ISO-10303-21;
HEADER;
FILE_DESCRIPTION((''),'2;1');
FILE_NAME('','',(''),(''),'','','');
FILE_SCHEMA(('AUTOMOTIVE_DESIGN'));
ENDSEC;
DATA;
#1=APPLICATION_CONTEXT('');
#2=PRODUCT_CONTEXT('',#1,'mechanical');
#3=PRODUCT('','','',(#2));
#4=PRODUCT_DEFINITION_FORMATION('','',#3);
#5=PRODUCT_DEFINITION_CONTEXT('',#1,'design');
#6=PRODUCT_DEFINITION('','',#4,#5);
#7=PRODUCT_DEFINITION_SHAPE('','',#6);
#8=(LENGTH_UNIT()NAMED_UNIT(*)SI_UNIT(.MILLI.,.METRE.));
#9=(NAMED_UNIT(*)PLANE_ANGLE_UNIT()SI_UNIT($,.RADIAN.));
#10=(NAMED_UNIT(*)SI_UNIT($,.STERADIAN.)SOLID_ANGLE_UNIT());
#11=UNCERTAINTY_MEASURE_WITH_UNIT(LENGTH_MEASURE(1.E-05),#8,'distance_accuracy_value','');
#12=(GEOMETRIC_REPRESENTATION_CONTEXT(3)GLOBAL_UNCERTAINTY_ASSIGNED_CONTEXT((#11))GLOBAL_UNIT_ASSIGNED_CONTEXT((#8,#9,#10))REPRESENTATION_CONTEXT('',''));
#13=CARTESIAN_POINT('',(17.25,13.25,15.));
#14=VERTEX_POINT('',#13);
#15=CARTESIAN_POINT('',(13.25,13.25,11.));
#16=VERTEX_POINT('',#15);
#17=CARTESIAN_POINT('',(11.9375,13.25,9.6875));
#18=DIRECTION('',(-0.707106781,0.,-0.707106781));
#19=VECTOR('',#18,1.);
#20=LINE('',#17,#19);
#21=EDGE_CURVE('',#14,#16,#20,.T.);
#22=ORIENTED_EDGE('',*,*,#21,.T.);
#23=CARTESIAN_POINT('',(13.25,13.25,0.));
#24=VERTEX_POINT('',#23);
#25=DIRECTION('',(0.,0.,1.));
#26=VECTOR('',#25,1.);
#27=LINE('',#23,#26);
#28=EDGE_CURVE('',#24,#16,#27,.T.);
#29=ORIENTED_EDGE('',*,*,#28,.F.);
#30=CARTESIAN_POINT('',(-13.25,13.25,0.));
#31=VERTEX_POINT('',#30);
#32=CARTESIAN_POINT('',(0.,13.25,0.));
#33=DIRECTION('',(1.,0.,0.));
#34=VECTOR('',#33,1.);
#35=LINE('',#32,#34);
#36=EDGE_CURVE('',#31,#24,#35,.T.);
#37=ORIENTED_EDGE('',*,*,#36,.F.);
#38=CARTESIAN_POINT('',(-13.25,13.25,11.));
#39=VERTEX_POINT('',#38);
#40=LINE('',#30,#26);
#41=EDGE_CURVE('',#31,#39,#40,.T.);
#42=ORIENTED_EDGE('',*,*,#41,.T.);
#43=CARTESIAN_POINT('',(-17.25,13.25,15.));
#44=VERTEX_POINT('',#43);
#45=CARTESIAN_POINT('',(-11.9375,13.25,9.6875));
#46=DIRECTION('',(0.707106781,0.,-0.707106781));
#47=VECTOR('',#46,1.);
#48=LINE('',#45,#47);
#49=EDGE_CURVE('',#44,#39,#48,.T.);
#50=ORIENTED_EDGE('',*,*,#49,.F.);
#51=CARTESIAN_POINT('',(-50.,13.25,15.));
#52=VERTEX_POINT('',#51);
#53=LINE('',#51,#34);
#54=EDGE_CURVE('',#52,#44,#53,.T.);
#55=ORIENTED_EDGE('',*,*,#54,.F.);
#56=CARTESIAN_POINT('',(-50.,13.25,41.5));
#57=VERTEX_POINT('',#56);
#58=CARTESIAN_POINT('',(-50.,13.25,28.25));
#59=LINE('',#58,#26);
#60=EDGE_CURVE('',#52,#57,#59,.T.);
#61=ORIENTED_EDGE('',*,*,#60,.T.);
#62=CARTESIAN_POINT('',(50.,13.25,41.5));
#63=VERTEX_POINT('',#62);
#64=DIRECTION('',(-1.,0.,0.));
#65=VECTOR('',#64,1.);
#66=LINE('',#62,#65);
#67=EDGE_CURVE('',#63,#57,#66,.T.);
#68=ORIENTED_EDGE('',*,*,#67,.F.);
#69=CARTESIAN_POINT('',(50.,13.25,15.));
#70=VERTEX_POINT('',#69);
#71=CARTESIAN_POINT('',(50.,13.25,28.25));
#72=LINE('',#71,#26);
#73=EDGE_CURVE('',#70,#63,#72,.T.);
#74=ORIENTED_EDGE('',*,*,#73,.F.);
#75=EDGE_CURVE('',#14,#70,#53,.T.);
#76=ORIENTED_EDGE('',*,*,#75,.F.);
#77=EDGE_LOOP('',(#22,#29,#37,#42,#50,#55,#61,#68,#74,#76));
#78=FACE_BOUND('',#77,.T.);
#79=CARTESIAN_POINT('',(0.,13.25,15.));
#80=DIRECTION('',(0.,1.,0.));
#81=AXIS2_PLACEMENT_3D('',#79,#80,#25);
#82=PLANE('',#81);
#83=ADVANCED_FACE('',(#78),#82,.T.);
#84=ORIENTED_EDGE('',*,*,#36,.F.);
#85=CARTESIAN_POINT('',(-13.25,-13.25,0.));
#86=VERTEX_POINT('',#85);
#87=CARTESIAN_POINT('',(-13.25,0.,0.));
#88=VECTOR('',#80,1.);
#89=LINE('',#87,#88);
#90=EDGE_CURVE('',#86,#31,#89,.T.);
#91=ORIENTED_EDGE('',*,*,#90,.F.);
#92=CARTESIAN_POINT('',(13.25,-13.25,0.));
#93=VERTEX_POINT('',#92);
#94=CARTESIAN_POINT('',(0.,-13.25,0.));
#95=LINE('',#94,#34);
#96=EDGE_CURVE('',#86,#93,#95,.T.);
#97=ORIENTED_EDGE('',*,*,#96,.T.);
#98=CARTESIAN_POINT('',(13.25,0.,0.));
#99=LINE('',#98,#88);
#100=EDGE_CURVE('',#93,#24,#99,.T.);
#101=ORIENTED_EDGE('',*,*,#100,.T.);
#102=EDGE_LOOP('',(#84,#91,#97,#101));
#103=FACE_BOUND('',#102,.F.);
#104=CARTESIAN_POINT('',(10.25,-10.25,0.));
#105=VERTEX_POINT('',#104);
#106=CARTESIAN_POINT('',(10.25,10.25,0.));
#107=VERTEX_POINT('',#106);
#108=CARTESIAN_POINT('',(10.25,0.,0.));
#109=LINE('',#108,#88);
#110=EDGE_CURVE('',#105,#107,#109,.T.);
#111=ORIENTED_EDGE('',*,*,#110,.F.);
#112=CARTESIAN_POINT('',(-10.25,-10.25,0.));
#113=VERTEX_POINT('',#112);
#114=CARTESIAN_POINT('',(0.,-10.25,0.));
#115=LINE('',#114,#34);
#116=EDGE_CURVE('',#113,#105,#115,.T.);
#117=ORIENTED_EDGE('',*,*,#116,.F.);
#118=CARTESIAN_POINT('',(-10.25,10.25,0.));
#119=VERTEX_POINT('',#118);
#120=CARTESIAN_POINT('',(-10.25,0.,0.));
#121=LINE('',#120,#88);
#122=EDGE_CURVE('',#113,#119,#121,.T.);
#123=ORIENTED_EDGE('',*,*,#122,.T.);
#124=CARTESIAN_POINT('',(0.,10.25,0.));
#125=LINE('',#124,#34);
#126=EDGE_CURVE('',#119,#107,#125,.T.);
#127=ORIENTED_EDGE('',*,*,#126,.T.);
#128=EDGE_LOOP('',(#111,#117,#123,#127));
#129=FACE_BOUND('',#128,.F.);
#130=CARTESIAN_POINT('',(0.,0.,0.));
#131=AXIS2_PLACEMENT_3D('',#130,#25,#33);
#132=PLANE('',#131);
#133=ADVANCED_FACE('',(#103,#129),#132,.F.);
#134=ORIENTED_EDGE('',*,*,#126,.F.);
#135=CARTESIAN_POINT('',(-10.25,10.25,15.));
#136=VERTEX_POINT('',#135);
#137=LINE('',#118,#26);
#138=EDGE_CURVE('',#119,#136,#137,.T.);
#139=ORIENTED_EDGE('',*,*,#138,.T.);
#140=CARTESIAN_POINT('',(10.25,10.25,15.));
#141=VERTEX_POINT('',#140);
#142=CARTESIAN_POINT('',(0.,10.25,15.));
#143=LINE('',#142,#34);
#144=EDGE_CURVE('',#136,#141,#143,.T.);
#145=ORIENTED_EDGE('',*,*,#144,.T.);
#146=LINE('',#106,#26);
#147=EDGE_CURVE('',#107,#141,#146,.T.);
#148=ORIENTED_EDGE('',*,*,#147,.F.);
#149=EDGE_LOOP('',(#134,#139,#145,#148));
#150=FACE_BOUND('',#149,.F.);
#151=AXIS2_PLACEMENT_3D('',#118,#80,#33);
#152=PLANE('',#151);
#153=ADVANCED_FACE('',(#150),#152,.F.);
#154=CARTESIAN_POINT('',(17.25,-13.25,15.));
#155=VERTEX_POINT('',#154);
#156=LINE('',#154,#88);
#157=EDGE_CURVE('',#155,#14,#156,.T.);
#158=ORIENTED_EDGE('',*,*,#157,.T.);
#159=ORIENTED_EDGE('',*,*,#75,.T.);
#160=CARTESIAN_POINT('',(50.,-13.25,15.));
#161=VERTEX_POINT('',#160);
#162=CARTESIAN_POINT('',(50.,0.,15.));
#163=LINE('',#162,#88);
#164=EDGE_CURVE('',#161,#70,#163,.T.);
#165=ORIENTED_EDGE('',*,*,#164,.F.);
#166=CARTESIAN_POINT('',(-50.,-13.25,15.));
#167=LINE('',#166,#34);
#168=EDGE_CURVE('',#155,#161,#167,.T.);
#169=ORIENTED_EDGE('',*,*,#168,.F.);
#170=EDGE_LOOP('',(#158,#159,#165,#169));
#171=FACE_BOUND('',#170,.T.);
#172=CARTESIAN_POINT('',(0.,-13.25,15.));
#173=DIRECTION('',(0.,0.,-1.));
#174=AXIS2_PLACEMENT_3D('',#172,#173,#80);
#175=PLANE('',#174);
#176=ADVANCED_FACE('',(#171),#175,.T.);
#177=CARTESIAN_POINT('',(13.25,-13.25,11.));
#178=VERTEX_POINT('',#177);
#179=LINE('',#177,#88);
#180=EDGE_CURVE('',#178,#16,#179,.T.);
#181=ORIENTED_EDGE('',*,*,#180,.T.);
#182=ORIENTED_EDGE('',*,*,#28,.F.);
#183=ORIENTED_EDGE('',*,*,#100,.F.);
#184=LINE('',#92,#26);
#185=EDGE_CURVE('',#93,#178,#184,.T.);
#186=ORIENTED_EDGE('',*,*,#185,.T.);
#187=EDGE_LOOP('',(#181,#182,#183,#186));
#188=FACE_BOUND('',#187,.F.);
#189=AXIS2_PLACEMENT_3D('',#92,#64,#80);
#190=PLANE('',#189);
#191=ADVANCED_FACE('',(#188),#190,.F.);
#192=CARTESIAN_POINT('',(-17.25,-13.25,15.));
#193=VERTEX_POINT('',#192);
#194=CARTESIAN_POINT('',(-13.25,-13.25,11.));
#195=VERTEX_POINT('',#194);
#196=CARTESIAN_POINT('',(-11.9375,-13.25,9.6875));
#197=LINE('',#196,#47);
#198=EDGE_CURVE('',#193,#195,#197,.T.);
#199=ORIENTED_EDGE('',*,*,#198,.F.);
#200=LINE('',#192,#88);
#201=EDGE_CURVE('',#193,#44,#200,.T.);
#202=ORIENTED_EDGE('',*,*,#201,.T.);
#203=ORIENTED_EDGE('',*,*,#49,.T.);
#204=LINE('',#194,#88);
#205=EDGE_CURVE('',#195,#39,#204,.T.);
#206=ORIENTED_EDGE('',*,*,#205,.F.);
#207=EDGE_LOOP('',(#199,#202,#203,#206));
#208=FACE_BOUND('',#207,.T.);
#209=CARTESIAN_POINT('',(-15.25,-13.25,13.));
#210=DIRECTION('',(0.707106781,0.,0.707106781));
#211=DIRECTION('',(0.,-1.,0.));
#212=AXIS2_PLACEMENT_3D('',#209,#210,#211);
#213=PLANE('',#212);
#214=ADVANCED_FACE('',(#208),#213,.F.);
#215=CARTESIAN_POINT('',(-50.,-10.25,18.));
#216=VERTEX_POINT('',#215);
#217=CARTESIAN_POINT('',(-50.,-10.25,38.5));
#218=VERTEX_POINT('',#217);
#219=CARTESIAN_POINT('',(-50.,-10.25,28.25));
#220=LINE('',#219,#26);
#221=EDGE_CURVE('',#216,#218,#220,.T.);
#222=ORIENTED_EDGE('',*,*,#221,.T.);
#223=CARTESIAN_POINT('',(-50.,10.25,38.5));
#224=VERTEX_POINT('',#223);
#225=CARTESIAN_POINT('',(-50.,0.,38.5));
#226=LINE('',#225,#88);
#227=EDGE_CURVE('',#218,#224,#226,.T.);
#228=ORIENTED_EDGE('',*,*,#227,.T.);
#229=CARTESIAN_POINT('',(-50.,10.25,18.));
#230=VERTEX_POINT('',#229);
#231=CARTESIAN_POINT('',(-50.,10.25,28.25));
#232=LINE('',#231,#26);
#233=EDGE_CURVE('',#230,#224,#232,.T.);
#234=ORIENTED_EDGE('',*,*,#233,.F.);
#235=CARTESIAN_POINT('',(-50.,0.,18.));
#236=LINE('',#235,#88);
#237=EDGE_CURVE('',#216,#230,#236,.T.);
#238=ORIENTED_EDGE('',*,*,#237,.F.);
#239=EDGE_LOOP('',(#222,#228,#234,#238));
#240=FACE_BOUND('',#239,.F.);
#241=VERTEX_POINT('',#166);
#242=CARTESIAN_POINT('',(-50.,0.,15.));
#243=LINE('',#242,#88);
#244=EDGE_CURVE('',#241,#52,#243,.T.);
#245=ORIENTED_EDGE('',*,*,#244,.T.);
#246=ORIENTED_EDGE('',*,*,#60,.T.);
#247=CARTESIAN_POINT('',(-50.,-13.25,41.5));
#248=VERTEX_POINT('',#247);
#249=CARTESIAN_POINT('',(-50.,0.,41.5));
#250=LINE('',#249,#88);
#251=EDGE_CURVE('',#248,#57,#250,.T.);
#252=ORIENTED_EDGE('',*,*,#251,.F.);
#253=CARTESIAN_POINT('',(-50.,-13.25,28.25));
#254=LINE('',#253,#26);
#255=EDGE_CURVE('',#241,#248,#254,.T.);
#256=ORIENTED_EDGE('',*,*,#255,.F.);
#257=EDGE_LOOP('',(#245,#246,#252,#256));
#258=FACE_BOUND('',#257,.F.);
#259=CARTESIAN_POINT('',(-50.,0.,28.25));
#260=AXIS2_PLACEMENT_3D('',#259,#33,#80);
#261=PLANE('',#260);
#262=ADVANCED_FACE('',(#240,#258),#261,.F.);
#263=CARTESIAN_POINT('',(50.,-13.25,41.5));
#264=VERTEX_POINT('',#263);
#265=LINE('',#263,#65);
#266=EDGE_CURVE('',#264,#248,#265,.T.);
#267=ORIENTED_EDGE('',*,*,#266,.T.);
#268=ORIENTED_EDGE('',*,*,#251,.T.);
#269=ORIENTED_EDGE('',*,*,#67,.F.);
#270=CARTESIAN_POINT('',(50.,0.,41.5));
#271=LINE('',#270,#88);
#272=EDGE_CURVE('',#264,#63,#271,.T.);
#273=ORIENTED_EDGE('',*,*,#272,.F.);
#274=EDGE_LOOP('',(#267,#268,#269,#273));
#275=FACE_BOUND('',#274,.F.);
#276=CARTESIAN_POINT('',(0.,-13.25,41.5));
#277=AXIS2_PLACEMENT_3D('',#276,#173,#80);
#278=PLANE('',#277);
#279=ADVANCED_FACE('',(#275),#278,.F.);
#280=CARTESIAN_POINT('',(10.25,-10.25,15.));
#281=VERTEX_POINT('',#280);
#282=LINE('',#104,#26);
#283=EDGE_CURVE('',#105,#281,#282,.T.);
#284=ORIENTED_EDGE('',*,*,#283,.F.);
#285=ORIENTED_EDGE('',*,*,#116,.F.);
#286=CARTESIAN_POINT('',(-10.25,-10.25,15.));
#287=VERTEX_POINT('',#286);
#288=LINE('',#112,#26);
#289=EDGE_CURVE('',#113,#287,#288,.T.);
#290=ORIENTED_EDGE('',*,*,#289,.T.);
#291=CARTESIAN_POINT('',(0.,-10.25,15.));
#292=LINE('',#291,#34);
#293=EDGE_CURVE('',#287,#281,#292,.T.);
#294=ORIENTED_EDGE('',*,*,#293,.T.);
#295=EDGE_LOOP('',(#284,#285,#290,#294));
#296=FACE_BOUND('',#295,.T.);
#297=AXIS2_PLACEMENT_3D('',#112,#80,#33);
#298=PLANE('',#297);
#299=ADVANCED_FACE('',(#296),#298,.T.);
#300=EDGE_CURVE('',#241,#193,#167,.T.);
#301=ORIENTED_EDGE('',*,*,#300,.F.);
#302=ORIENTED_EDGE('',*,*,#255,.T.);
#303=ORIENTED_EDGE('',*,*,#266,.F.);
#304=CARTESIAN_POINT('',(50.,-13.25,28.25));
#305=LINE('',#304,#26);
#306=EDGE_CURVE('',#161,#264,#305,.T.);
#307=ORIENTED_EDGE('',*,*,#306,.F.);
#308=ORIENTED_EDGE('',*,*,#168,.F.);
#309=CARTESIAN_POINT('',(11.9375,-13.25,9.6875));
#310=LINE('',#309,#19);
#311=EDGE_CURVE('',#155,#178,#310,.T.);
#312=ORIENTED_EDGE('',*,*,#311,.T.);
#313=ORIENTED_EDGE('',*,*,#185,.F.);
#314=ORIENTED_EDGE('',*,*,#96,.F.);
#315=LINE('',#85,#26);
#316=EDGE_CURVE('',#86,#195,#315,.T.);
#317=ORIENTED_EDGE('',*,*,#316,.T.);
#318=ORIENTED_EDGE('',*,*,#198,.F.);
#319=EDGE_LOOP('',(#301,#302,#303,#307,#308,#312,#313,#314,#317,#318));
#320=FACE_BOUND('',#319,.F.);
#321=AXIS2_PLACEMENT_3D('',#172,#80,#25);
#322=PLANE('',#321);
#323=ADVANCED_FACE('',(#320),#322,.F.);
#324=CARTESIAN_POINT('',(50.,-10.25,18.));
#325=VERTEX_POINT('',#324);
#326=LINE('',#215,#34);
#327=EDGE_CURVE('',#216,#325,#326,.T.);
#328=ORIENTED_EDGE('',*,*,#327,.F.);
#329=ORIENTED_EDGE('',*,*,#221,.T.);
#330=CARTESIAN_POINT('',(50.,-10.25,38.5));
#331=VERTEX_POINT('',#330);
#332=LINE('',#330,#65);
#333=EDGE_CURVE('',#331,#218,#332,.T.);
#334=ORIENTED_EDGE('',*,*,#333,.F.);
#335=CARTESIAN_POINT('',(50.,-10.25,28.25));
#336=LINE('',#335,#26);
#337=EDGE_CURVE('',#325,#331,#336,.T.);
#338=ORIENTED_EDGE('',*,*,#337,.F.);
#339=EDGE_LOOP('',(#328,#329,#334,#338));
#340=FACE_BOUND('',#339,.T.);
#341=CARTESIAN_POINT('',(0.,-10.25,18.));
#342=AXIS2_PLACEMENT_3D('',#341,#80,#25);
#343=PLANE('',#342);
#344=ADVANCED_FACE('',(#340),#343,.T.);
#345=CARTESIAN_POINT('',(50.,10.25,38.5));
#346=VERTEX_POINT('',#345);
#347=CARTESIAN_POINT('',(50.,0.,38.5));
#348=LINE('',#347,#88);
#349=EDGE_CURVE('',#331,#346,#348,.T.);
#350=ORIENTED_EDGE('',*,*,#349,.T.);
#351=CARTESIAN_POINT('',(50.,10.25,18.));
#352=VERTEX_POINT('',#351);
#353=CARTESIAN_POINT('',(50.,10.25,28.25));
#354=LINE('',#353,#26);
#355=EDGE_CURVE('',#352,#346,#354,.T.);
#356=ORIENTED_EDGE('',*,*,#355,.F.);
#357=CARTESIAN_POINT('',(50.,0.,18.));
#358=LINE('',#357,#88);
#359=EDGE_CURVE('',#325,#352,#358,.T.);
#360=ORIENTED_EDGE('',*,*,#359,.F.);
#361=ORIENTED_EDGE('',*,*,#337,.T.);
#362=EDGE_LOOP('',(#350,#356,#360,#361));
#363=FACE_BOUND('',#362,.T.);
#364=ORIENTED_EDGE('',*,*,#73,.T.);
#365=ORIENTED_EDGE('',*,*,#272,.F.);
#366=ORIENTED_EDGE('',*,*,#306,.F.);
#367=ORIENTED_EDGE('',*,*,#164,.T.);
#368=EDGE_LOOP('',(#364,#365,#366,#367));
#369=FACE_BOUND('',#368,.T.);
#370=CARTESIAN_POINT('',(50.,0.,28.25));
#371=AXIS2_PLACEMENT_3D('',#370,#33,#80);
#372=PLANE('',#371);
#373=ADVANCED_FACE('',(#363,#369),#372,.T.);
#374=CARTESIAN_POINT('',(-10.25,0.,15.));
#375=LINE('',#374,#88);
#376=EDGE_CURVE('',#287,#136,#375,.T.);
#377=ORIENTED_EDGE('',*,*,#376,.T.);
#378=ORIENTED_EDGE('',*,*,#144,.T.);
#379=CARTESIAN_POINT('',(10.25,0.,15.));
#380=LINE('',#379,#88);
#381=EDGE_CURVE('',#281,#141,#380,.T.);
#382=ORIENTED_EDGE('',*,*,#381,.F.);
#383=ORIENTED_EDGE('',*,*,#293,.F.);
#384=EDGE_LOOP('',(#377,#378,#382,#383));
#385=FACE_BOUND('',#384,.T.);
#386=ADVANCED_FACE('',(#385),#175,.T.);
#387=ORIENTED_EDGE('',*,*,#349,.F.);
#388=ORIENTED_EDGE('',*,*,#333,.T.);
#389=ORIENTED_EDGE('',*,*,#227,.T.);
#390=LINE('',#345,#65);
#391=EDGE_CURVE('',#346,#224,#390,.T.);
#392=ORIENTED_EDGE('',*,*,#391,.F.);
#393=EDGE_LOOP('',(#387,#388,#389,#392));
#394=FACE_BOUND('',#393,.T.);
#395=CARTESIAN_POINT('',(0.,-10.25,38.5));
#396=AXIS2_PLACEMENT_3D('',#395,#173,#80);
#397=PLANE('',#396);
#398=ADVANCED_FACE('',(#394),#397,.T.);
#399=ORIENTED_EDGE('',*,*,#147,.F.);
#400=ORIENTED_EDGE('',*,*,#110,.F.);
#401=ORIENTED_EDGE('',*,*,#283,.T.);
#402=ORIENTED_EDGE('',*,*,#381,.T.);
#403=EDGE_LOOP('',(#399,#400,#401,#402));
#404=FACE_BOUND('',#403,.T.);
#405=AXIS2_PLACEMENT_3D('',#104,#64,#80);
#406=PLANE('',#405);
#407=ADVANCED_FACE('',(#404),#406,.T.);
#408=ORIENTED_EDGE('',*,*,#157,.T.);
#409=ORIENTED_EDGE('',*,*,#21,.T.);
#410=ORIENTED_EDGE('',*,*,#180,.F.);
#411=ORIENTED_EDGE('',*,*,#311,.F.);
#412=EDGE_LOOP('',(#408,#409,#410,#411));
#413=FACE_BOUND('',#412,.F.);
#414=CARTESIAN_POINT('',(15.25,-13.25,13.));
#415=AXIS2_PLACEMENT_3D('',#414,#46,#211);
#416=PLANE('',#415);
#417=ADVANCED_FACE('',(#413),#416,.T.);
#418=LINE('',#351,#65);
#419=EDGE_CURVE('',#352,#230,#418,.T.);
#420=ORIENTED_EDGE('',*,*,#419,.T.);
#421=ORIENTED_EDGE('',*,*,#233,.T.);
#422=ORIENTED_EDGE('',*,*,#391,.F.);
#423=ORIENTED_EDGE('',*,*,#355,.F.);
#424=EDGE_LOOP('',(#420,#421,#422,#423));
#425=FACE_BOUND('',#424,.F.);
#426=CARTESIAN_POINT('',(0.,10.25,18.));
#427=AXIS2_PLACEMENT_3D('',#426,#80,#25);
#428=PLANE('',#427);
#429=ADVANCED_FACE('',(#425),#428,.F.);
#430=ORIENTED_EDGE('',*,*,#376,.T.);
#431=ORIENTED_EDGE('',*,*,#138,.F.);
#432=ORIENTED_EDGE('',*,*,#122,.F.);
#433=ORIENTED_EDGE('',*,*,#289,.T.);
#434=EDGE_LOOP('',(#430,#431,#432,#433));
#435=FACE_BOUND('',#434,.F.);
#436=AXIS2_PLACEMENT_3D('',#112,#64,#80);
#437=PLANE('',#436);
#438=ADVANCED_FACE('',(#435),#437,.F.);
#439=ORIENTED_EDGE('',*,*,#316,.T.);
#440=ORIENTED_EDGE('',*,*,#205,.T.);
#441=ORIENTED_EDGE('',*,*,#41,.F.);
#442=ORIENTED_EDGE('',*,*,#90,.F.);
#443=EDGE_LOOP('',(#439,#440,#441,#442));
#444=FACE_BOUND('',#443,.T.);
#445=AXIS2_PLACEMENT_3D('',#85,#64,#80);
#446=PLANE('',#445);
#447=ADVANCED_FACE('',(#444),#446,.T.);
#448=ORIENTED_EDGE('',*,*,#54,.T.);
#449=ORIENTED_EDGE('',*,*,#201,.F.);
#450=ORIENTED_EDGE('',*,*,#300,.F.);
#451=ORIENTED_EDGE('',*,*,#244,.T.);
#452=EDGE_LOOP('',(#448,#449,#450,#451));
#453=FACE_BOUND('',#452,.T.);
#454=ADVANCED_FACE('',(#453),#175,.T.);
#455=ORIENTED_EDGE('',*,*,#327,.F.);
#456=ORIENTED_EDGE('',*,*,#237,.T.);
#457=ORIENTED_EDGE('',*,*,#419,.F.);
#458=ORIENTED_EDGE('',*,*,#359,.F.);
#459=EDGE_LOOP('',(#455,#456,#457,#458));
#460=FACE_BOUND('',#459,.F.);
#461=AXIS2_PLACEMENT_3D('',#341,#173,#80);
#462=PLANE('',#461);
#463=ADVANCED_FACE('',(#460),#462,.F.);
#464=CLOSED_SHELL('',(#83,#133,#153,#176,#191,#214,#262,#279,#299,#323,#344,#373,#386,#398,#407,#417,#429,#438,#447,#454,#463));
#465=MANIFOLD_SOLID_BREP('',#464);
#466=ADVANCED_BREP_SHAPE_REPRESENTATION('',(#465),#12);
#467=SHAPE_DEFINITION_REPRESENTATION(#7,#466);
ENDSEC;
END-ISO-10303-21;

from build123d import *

# Parameters (mm, degrees)
SKETCH_W      = 26.5
SKETCH_H      = 26.5
SKETCH_W_2    = 20.5
SKETCH_H_2    = 20.5
PAD_DEPTH     = 15
SKETCH001_W   = 26.5
SKETCH001_H   = 26.5
SKETCH001_W_2 = 20.5
SKETCH001_H_2 = 20.5
PAD001_DEPTH  = 50
CHAMFER_SIZE  = 4


with BuildPart() as part:
    # Sketch → Pad (new body)
    with BuildSketch(Plane.XY):
        Rectangle(SKETCH_W, SKETCH_H)
        Rectangle(SKETCH_W_2, SKETCH_H_2, mode=Mode.SUBTRACT)
    extrude(amount=PAD_DEPTH)

    # Sketch001 → Pad001 (join, symmetric)
    with BuildSketch(Plane.YZ):
        with Locations((0, 28.25)):
            Rectangle(SKETCH001_W, SKETCH001_H)
        with Locations((0, 28.25)):
            Rectangle(SKETCH001_W_2, SKETCH001_H_2, mode=Mode.SUBTRACT)
    extrude(amount=PAD001_DEPTH, both=True)

    # Chamfer
    chamfer_edges = [part.edges().sort_by_distance(p)[0] for p in [
        (13.25, 0, 15),
        (-13.25, 0, 15),
    ]]
    chamfer(chamfer_edges, length=CHAMFER_SIZE)


solid = part.part
